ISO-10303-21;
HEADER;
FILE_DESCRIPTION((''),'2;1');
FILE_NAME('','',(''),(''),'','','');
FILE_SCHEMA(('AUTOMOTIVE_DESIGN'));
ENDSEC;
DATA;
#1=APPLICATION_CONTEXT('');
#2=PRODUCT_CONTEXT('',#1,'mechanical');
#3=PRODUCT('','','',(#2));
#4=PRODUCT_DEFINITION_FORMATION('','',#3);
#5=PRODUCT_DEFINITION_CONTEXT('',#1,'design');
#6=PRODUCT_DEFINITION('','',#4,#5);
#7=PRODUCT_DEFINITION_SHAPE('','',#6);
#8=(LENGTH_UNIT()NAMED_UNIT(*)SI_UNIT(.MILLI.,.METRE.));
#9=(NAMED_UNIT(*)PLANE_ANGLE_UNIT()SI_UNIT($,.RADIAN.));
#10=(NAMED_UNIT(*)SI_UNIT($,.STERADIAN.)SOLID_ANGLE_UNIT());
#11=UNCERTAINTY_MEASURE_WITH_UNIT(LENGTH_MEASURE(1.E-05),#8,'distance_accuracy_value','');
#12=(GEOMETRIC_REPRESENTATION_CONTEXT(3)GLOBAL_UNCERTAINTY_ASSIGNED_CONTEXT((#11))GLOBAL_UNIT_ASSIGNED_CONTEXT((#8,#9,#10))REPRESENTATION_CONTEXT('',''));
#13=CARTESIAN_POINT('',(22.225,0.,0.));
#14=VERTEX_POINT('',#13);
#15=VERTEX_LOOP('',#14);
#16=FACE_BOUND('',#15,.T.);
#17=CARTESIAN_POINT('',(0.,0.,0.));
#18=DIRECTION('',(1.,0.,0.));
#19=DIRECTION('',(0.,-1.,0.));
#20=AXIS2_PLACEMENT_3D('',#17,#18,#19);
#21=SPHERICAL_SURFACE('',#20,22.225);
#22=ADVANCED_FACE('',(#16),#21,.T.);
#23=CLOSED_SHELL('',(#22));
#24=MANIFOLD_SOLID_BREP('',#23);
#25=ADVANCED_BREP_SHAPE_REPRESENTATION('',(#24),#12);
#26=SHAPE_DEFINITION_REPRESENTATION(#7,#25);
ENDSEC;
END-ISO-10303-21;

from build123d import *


with BuildPart() as part:
    # Sketch1 one side → Revolve1 (revolve)
    with BuildSketch(Plane.XY):
        with BuildLine():
            ThreePointArc((-22.225, 0), (0, -22.225), (22.225, 0))
            Line((22.225, 0), (0, 0))
            Line((0, 0), (-22.225, 0))
        make_face()
    revolve(axis=Axis((22.225, 0, 0), (-1, 0, 0)))


solid = part.part
